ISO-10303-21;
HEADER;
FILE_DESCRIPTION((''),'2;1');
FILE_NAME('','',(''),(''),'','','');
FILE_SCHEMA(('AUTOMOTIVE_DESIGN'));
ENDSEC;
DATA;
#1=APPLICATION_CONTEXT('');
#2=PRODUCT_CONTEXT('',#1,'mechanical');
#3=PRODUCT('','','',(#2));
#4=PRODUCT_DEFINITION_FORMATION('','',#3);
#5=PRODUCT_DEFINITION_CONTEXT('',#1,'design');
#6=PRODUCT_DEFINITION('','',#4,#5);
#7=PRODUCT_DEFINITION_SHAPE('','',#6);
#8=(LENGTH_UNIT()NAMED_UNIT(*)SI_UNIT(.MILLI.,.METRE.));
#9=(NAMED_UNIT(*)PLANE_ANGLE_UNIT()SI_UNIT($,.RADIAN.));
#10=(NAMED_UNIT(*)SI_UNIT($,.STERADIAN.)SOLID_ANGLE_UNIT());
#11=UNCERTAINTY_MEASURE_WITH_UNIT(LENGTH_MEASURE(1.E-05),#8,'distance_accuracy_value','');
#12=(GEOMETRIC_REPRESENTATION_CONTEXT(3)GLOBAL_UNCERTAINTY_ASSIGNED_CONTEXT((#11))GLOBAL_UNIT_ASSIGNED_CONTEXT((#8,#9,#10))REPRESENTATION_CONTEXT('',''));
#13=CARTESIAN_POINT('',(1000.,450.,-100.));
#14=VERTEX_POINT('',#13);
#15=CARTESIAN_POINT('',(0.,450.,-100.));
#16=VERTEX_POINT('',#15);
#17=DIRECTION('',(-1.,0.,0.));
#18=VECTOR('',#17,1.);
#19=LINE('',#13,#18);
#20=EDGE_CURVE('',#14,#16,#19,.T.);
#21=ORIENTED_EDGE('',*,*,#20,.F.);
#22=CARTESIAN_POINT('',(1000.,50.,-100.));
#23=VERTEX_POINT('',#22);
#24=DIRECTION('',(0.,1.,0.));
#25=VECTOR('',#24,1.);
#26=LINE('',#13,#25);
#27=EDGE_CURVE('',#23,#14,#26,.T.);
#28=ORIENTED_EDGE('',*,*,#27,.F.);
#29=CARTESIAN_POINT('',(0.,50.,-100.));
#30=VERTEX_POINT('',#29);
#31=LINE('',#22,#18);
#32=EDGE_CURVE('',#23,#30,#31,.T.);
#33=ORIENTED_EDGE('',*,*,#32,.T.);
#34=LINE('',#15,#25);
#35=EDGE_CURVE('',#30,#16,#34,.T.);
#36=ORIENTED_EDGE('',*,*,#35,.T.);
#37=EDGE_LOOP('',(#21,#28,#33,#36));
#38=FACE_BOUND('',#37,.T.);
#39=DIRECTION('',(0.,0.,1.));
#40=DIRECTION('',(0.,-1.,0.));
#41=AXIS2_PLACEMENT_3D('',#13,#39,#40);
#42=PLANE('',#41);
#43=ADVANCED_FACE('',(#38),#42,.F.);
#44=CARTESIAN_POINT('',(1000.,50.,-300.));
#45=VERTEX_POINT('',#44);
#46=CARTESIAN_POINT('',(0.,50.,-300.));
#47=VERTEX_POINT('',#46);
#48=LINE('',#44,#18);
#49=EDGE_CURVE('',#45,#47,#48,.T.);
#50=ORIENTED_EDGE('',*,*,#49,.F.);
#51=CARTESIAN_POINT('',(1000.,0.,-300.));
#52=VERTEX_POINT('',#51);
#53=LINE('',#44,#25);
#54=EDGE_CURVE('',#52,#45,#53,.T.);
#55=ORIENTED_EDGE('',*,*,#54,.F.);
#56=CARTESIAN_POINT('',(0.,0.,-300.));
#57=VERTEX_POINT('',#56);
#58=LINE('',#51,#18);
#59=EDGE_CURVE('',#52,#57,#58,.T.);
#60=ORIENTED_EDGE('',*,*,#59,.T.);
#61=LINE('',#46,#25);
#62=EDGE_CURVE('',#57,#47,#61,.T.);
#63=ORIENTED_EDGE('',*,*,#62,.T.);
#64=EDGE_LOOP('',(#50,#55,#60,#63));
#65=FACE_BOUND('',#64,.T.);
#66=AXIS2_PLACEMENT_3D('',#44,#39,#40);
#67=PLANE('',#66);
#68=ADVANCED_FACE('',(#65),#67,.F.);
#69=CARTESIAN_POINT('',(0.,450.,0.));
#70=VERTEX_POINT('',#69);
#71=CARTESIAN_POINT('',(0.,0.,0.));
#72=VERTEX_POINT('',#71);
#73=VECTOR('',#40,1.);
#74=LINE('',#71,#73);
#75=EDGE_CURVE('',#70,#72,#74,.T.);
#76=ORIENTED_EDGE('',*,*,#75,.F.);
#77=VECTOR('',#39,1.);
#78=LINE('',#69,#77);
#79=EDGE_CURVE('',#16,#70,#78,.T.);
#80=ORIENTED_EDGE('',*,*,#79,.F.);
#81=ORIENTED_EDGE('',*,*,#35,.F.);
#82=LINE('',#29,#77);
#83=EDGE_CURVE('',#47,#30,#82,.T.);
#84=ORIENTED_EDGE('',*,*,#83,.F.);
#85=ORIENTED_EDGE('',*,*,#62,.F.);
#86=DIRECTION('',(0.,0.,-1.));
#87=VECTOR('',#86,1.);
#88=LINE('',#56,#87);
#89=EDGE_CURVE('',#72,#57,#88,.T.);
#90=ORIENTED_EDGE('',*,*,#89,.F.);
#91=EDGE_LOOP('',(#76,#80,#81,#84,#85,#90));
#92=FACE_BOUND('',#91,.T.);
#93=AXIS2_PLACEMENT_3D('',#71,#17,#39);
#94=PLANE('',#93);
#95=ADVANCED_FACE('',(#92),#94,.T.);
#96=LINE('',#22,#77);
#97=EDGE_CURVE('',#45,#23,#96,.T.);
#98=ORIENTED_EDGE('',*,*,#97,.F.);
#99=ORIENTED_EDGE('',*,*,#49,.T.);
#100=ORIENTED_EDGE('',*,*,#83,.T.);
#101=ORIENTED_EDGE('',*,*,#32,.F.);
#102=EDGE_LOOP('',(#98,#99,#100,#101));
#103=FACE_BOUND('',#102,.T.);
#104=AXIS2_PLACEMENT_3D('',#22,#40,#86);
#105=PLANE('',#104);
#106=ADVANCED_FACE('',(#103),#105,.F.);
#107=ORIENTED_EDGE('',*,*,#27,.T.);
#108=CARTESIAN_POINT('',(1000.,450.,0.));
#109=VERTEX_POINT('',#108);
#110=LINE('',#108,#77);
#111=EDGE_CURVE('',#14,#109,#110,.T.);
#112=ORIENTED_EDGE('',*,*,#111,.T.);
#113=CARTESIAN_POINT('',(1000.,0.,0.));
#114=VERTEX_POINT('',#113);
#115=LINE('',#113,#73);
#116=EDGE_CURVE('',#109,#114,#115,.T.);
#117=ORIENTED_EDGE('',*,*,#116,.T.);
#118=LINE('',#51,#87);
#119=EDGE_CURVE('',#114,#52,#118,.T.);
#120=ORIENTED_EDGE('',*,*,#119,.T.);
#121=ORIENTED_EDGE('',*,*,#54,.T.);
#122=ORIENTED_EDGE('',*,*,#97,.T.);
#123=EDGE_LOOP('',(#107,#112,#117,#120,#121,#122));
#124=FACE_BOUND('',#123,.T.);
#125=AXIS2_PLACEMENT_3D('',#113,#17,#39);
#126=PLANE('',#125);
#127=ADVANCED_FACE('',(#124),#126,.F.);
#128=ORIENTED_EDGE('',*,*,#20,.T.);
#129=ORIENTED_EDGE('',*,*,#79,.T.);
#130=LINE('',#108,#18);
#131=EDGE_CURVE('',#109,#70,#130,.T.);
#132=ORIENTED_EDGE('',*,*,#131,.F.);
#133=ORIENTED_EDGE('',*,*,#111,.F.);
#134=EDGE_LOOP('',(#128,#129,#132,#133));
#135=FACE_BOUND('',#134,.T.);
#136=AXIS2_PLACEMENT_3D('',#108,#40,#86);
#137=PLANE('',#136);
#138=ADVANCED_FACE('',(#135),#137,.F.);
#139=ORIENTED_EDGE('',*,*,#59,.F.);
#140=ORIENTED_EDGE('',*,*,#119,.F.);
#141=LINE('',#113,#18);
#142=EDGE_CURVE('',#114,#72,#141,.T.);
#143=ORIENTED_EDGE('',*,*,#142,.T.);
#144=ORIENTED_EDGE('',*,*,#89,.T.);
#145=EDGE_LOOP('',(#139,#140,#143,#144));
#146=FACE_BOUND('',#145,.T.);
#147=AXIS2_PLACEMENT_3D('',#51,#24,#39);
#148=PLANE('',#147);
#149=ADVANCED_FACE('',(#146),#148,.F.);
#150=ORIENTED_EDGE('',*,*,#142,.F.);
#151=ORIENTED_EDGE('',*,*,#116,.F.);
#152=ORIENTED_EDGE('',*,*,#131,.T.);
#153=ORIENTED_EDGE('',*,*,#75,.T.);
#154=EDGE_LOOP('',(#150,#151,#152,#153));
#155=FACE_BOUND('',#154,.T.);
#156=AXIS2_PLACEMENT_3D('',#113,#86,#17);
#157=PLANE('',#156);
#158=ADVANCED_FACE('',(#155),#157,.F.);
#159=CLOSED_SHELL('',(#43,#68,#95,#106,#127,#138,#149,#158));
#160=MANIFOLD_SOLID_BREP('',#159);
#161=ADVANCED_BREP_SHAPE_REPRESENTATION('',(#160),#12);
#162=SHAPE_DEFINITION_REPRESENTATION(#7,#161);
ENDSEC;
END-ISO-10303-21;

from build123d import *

# Parameters (mm, degrees)
SALIENTE_EXTRUIR1_DEPTH = 1000


with BuildPart() as part:
    # Croquis1 → Saliente-Extruir1 (new body)
    with BuildSketch(Plane(origin=(0, 0, 0), x_dir=(0, 0, -1), z_dir=(1, 0, 0))):
        Polygon((0, 0), (0, 450), (100, 450), (100, 50), (300, 50), (300, 0), align=None)
    extrude(amount=SALIENTE_EXTRUIR1_DEPTH)


solid = part.part
